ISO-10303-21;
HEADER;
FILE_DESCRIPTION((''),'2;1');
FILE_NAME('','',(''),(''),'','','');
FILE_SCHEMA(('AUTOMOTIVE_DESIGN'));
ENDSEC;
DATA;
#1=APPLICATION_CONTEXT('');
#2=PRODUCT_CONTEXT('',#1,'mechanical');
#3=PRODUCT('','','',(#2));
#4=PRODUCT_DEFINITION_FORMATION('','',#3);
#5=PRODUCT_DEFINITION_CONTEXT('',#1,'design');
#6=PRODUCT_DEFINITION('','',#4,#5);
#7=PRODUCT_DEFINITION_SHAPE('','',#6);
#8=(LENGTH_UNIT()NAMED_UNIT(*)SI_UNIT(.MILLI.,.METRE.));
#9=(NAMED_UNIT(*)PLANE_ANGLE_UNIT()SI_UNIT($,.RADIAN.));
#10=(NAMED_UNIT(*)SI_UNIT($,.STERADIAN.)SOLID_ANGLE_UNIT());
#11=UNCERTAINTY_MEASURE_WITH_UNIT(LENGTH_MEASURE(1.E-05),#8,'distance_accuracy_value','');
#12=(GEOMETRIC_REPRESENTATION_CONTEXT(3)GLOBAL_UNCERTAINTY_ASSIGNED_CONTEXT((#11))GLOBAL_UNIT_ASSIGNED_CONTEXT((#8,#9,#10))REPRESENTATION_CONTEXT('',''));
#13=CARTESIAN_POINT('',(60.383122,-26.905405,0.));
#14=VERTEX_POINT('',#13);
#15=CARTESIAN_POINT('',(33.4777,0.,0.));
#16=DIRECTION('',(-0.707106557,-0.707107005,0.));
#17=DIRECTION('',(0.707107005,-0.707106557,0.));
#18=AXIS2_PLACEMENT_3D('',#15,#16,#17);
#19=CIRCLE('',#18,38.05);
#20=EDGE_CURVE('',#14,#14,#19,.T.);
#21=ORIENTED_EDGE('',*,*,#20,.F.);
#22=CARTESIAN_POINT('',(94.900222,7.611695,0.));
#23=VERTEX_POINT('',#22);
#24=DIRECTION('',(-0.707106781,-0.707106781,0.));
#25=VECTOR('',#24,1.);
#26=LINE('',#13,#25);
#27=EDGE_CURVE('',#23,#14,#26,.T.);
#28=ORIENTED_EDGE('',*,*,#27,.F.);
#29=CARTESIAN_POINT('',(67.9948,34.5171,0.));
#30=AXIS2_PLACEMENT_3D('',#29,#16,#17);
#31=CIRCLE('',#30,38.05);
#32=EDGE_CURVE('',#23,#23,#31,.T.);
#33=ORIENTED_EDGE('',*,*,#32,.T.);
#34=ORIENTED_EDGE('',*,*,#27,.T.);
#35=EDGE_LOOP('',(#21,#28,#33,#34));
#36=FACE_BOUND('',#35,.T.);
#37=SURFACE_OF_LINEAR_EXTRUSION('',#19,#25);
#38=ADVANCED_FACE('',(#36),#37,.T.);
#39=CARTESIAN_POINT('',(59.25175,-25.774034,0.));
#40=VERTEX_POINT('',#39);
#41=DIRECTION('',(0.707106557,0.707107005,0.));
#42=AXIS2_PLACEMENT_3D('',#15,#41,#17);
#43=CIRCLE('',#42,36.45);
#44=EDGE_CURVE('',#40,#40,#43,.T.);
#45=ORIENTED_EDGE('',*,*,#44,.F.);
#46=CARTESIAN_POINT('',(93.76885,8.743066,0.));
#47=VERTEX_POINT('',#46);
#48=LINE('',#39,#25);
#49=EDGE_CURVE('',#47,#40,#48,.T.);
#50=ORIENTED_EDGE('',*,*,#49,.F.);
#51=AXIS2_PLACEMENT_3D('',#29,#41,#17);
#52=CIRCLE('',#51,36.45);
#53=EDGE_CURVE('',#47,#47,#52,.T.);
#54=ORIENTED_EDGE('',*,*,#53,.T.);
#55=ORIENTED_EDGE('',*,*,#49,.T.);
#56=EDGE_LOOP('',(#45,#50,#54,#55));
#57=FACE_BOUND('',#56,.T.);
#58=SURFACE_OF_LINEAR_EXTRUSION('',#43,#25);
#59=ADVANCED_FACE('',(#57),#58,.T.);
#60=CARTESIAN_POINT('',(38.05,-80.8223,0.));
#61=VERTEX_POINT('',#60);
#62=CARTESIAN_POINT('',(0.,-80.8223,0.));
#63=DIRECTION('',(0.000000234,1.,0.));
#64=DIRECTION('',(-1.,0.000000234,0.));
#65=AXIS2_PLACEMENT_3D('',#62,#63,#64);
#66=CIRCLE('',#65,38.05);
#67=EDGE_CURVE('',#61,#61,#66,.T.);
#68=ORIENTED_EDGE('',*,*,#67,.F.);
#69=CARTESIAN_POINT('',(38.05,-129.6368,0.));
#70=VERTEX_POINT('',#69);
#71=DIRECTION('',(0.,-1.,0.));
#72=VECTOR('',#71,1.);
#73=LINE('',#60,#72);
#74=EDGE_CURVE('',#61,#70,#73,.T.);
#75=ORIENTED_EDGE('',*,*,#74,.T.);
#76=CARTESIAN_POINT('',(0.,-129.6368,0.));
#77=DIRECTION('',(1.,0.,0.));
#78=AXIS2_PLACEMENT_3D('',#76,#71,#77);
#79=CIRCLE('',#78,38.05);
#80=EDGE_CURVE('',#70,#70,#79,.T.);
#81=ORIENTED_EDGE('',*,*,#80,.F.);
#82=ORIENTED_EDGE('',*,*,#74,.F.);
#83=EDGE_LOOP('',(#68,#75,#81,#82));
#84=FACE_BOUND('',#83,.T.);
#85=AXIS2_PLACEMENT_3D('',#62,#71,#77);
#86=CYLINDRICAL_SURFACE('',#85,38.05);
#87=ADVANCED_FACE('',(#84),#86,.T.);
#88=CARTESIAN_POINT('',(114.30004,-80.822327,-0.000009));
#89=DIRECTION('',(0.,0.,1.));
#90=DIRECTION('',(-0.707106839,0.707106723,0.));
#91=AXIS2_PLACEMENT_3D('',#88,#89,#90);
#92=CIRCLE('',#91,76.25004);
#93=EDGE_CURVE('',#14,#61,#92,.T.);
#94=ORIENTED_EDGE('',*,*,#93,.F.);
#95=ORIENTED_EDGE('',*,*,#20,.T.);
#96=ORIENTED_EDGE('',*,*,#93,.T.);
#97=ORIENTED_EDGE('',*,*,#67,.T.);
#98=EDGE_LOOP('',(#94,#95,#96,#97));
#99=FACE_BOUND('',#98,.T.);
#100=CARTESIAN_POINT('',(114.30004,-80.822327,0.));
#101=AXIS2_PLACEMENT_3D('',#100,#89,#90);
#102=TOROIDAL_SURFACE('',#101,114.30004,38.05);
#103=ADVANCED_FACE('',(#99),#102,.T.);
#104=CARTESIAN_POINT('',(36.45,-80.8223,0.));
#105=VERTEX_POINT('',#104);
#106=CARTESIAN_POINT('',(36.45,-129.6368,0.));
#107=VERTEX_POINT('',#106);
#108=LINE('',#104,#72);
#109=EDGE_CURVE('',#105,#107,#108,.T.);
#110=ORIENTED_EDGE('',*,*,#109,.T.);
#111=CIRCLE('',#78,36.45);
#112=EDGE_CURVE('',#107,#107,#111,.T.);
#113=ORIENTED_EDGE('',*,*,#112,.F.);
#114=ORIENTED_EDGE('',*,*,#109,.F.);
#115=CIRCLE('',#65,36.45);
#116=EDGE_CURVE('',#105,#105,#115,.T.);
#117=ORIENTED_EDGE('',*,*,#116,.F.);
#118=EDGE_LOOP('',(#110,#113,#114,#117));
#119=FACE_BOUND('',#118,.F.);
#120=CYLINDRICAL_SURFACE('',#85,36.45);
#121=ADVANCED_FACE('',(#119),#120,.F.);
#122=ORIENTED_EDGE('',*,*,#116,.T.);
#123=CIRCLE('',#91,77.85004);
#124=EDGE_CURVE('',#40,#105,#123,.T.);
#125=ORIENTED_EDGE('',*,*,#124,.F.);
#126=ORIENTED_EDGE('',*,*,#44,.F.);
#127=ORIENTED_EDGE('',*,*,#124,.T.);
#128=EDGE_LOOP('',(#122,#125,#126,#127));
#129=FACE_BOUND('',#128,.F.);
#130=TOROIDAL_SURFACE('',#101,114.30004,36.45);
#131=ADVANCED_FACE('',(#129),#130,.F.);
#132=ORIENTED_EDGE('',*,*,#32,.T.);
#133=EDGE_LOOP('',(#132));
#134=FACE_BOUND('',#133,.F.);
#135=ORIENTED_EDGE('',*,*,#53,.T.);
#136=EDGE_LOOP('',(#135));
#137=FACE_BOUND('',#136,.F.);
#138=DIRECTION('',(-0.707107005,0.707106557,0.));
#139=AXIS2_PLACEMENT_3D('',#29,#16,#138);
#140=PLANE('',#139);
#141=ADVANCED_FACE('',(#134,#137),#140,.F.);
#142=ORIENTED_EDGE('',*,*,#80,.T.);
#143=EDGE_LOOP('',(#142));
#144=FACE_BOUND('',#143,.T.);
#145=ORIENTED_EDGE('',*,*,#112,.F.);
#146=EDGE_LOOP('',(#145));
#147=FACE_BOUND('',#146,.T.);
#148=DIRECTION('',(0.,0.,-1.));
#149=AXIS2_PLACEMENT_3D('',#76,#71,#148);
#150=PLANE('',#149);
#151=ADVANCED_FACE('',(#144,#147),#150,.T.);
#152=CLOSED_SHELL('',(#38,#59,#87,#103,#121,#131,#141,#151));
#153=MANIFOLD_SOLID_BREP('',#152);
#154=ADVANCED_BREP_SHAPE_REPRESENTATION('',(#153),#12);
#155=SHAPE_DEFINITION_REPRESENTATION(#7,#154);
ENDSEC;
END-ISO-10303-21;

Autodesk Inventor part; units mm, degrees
ref_plane "YZ Plane" through (0, 0, 0) normal (1, 0, 0) x (0, 1, 0)
ref_plane "XZ Plane" through (0, 0, 0) normal (0, 1, 0) x (-1, 0, 0)
sketch "Szkic6" plane through (0, 0, 0) normal (0, 0, 1) x (1, 0, 0)
  line L0 (-29.6067, 0) -> (35.2678, 0) construction
  line L1 (0, 42.3419) -> (0, -58.3726) construction
  arc A0 (33.4777, 0) -> (0, -80.8223) centre (114.3, -80.8223) ccw
  line L2 (0, -80.8223) -> (114.3, -80.8223) construction
  line L3 (114.3, -80.8223) -> (67.9611, -34.4834) construction
  line L4 (33.4777, 0) -> (67.9948, 34.5171)
  line L5 (0, -80.8223) -> (0, -129.6368)
  point P0 (0, 0)
  dimension "d24" = 114.3
  dimension "d31" = 45
  dimension "d36" = 48.8145
  dimension "d37" = 48.8145
ref_plane "Płaszczyzna konstrukcyjna2" through (0, -80.8223, 0) normal (0, -1, 0) x (1, 0, 0)
sketch "Szkic8" plane through (0, -80.8223, 0) normal (0, -1, 0) x (1, 0, 0)
  circle A0 centre (0, 0) radius 38.05
  circle A1 centre (0, 0) radius 36.45
  dimension "d32" = 76.1
  dimension "d33" = 1.6
sweep "Przeciągnięcie2" add profiles "Szkic8" path "Szkic6"
equation "\"d32\" = OD"
equation "\"d33\" = THK"
equation "\"d24\" = R"
equation "\"d31\" = KAT"
equation "\"d36\" = PROSTKA"
equation "\"d37\" = PROSTKA"
equation "\"SzerokośćGięciaPodcięcia\" = Grubość"
equation "\"RozmiarPodcięciaNarożnika\" = 4 * Grubość"
equation "\"PromieńPrzejścia\" = PromieńGięcia"
equation "\"Rozmiar_promienia_Jacobiego\" = PromieńGięcia"
equation "\"Wielk_odstępu\" = Grubość"
equation "\"d2\" = PromieńGięcia"
equation "\"d23\" = PromieńGięcia"
equation "\"R\" = 114.3"
equation "\"OD\" = 76.1"
equation "\"THK\" = 1.6"
equation "\"KAT\" = 45deg"
equation "\"PROSTKA\" = 48.8145"
equation "\"Grubość\" = 1.5"
equation "\"PromieńGięcia\" = 3"
properties part number "Kolano 45° ø76,1x1,6 R114,3" material "304L"
